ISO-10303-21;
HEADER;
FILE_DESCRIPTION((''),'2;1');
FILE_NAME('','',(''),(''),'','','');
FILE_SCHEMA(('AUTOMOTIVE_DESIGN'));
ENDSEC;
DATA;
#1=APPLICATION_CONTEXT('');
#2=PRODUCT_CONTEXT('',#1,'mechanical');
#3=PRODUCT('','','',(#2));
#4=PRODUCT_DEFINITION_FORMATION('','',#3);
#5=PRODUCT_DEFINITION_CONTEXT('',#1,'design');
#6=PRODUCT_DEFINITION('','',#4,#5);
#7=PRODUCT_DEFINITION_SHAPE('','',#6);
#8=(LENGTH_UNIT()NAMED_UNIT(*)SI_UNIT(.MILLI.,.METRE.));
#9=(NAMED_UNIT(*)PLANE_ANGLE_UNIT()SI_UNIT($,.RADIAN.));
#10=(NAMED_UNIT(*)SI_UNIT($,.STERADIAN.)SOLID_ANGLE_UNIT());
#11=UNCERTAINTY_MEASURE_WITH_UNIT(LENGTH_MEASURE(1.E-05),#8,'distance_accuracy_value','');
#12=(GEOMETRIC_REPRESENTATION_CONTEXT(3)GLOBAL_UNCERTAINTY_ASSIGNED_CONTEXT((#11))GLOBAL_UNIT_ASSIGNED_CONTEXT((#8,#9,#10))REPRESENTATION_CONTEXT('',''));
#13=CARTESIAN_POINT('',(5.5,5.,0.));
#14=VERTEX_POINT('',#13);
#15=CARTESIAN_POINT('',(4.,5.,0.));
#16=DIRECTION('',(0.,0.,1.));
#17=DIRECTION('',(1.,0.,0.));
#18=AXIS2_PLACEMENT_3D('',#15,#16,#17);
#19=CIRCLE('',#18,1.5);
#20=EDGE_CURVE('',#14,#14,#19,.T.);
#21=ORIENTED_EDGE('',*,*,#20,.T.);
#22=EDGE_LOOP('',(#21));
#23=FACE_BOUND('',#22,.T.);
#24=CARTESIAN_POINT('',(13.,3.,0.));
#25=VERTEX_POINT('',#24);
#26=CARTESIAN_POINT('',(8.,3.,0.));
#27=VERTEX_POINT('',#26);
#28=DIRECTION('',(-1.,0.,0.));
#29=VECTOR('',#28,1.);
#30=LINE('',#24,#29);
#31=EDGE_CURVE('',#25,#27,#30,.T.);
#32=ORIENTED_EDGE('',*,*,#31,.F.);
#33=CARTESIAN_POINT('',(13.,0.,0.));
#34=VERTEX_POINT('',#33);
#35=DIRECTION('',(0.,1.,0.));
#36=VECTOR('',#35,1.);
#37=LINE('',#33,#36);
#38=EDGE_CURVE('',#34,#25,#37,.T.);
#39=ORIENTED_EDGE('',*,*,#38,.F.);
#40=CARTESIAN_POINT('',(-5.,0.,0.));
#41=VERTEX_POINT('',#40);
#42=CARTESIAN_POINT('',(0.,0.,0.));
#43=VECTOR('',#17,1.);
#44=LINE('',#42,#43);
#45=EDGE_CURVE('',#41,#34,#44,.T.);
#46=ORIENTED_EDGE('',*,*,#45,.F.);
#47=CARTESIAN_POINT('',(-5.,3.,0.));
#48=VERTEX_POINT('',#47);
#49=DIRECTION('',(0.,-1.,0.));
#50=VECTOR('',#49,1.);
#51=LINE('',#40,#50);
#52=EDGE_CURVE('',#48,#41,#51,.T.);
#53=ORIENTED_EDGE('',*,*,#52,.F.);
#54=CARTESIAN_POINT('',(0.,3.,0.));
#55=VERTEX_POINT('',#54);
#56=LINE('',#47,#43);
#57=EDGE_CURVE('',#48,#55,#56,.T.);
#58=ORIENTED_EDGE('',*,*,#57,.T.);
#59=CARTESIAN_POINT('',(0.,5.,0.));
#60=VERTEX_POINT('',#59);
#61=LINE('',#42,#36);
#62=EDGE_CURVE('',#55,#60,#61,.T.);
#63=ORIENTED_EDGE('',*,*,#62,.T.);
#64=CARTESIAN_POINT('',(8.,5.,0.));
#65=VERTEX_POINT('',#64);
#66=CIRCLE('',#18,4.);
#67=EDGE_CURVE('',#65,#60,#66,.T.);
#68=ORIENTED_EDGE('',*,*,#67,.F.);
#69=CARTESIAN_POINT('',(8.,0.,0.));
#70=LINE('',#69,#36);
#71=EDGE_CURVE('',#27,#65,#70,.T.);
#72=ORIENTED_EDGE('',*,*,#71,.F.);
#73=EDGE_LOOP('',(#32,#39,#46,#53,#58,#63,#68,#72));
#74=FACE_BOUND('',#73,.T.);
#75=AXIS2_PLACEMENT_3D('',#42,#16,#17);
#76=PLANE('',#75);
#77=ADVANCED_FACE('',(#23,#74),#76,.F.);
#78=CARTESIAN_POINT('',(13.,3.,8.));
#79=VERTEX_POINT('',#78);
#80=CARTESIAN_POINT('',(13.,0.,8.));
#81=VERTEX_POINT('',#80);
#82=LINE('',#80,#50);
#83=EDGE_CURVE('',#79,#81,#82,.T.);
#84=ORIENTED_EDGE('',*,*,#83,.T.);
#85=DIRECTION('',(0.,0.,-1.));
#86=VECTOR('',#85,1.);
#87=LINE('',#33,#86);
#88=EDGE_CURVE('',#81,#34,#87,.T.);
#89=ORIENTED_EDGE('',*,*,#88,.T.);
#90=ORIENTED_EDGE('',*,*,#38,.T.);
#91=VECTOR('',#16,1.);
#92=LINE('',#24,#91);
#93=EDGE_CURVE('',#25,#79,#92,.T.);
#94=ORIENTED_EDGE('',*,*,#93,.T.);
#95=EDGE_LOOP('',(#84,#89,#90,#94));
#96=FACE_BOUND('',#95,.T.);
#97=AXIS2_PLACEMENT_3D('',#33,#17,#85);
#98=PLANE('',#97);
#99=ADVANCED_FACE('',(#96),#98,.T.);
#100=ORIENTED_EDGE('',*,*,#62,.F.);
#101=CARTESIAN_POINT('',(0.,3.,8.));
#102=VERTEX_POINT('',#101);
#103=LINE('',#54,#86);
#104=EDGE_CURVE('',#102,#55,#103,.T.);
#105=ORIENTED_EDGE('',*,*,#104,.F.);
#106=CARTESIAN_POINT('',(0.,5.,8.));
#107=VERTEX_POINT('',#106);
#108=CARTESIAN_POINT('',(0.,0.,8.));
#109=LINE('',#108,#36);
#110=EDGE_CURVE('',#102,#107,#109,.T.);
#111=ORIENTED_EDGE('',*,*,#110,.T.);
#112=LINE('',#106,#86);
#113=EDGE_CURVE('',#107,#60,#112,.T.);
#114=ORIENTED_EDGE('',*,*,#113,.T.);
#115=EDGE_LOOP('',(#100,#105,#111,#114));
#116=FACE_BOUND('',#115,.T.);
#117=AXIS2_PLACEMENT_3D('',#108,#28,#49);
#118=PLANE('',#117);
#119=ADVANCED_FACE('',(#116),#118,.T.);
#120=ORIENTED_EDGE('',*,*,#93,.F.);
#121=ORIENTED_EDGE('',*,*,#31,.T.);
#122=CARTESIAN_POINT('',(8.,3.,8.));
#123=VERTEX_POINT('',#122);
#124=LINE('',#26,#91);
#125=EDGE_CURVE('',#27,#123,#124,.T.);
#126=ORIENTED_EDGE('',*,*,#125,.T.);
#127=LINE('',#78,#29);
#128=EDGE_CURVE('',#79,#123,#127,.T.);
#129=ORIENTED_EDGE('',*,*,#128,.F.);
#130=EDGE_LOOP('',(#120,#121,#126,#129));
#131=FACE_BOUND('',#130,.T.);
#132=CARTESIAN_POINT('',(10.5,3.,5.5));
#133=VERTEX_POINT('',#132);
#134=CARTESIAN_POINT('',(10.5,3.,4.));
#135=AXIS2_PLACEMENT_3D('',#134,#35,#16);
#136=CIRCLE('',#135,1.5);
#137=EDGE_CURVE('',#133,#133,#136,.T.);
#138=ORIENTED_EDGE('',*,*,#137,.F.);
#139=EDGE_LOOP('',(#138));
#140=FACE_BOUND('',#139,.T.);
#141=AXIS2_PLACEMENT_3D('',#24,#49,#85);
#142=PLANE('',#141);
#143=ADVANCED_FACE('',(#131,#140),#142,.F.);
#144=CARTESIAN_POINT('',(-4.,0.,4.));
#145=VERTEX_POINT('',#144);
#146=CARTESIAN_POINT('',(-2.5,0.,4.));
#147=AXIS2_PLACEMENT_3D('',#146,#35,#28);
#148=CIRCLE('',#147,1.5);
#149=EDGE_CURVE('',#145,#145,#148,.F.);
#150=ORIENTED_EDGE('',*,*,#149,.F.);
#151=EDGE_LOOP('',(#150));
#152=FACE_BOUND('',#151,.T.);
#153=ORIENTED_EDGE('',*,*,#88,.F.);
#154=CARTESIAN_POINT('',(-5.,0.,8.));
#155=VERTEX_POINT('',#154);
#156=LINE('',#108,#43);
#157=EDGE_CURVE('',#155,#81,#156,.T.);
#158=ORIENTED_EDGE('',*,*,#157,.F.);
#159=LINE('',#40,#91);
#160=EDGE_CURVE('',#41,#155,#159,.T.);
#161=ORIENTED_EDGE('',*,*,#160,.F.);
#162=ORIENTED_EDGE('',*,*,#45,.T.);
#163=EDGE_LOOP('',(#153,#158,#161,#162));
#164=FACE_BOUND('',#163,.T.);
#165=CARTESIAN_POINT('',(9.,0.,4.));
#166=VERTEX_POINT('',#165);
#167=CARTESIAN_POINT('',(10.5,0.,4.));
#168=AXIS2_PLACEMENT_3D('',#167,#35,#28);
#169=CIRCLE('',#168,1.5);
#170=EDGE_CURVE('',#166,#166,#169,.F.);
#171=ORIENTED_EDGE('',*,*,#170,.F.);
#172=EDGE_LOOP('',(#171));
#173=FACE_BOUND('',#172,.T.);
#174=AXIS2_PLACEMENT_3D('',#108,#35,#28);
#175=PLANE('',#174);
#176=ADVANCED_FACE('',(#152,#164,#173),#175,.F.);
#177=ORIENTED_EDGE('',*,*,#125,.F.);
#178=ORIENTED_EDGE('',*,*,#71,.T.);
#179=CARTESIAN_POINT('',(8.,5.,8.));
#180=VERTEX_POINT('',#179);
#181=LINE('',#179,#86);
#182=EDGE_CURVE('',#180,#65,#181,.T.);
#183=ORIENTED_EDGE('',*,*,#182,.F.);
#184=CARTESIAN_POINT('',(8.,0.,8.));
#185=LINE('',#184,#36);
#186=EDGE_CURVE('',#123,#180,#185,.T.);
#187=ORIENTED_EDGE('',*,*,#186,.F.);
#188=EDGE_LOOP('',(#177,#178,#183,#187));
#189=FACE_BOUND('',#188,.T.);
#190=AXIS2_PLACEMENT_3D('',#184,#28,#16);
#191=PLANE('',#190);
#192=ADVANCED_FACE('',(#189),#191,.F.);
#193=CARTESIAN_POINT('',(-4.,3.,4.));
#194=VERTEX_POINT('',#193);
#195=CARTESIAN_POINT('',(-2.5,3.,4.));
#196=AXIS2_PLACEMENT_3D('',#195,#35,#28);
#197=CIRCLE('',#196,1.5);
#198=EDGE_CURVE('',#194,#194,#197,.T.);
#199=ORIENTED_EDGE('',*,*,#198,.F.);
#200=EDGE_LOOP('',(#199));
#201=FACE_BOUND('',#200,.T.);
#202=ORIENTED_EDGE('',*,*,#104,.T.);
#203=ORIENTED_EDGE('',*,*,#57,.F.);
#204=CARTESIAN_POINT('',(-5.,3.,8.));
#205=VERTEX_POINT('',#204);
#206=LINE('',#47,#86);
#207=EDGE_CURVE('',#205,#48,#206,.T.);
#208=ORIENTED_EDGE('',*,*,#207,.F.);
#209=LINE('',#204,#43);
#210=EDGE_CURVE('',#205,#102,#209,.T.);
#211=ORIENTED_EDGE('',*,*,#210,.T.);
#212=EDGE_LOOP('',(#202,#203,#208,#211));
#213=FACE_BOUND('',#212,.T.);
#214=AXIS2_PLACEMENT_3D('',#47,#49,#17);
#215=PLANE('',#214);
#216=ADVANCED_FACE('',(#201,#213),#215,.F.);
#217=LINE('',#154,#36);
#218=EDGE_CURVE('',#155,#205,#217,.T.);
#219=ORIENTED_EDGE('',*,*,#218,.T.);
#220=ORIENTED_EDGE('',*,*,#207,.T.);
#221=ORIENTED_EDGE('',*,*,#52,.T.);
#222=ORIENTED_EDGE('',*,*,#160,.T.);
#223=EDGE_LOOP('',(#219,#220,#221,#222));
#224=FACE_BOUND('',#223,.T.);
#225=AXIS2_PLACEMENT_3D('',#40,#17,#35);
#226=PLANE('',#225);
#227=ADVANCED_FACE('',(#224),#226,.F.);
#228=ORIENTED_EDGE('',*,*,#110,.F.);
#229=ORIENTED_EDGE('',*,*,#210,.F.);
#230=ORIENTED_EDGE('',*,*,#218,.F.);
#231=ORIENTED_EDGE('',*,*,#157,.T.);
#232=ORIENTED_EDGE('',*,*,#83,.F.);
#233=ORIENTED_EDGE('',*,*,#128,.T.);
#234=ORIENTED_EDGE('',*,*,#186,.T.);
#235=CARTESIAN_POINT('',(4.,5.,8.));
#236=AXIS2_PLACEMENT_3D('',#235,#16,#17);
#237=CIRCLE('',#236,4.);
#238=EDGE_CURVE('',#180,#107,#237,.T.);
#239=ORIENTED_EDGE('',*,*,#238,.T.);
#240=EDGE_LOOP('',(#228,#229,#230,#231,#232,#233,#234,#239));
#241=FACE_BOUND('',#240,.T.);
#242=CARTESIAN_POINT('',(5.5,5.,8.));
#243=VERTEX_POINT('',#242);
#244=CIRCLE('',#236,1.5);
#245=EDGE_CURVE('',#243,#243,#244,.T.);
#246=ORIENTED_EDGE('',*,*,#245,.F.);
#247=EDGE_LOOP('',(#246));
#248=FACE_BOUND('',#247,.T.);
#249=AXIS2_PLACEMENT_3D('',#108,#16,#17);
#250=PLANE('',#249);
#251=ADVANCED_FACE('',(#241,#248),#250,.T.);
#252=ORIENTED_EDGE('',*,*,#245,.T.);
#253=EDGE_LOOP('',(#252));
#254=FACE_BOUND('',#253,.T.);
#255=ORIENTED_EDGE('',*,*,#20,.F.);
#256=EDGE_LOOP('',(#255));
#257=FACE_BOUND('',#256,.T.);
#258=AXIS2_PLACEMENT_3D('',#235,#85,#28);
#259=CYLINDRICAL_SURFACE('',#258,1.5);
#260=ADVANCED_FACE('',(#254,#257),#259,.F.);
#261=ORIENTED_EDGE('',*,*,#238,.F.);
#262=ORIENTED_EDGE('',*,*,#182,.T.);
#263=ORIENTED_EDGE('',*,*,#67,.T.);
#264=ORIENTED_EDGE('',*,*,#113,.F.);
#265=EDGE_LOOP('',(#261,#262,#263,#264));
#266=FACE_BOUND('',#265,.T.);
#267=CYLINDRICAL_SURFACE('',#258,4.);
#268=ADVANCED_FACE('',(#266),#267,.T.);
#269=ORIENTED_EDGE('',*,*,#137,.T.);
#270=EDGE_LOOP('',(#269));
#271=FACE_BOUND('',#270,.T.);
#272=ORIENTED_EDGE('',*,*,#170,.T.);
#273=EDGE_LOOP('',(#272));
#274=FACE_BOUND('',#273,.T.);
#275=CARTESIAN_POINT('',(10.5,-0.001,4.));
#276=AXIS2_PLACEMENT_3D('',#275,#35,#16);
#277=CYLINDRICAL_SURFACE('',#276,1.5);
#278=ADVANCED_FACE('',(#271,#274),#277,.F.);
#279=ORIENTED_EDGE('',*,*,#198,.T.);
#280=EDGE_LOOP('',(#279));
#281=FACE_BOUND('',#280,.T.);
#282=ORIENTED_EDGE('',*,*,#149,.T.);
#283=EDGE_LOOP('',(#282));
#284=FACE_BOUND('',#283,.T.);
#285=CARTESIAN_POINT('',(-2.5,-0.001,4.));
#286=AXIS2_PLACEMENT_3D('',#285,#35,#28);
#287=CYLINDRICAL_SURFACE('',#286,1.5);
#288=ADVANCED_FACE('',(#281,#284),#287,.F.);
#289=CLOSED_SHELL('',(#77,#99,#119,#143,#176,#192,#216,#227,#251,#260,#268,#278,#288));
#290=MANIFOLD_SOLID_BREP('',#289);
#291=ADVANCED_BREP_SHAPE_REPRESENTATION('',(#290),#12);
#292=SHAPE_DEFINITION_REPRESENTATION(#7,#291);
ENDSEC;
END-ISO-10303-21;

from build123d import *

# Parameters (mm, degrees)
BOSS_EXTRUDE1_DEPTH = 8
SKETCH2_W           = 8
SKETCH2_H           = 3
BOSS_EXTRUDE2_DEPTH = 5
CUT_EXTRUDE1_REACH  = 18.401
SKETCH3_R           = 1.5
SKETCH4_W           = 8
SKETCH4_H           = 3
BOSS_EXTRUDE3_DEPTH = 5
CUT_EXTRUDE2_REACH  = 18.401
SKETCH5_R           = 1.5


with BuildPart() as part:
    # Sketch1 → Boss-Extrude1 (new body)
    with BuildSketch(Plane.XY):
        with BuildLine():
            ThreePointArc((8, 5), (4, 9), (0, 5))
            Line((0, 5), (2.5, 5))
            ThreePointArc((2.5, 5), (4, 6.5), (5.5, 5))
            Line((5.5, 5), (8, 5))
        make_face()
        with BuildLine():
            Line((2.5, 5), (0, 5))
            ThreePointArc((0, 5), (4, 1), (8, 5))
            Line((8, 5), (5.5, 5))
            ThreePointArc((5.5, 5), (4, 3.5), (2.5, 5))
        make_face()
        with BuildLine():
            Line((0, 5), (0, 0))
            Line((0, 0), (8, 0))
            Line((8, 0), (8, 5))
            ThreePointArc((8, 5), (4, 1), (0, 5))
        make_face()
    extrude(amount=BOSS_EXTRUDE1_DEPTH)

    # Sketch2 → Boss-Extrude2 (add)
    with BuildSketch(Plane(origin=(8, 0, 0), x_dir=(0, 0, -1), z_dir=(1, 0, 0))):
        with Locations((-4, 1.5)):
            Rectangle(SKETCH2_W, SKETCH2_H)
    extrude(amount=BOSS_EXTRUDE2_DEPTH)

    # Sketch3 → Cut-Extrude1 (cut, up to next)
    with BuildSketch(Plane(origin=(0, 3, 0), x_dir=(1, 0, 0), z_dir=(0, 1, 0)), mode=Mode.PRIVATE) as cut_extrude1_sk1:
        with Locations(Location((10.5, -4, 0), (0, 0, 270))):
            Circle(SKETCH3_R)
    cut_extrude1_tool1 = extrude(cut_extrude1_sk1.sketch, amount=-CUT_EXTRUDE1_REACH, mode=Mode.PRIVATE) & part.part
    add(cut_extrude1_tool1.solids().sort_by_distance((10.5, 3, 4))[0], mode=Mode.SUBTRACT)

    # Sketch4 → Boss-Extrude3 (add)
    with BuildSketch(Plane.ZY):
        with Locations((4, 1.5)):
            Rectangle(SKETCH4_W, SKETCH4_H)
    extrude(amount=BOSS_EXTRUDE3_DEPTH)

    # Sketch5 → Cut-Extrude2 (cut, up to next)
    with BuildSketch(Plane(origin=(0, 3, 0), x_dir=(1, 0, 0), z_dir=(0, 1, 0)), mode=Mode.PRIVATE) as cut_extrude2_sk1:
        with Locations(Location((-2.5, -4, 0), (0, 0, 180))):
            Circle(SKETCH5_R)
    cut_extrude2_tool1 = extrude(cut_extrude2_sk1.sketch, amount=-CUT_EXTRUDE2_REACH, mode=Mode.PRIVATE) & part.part
    add(cut_extrude2_tool1.solids().sort_by_distance((-2.5, 3, 4))[0], mode=Mode.SUBTRACT)


solid = part.part
